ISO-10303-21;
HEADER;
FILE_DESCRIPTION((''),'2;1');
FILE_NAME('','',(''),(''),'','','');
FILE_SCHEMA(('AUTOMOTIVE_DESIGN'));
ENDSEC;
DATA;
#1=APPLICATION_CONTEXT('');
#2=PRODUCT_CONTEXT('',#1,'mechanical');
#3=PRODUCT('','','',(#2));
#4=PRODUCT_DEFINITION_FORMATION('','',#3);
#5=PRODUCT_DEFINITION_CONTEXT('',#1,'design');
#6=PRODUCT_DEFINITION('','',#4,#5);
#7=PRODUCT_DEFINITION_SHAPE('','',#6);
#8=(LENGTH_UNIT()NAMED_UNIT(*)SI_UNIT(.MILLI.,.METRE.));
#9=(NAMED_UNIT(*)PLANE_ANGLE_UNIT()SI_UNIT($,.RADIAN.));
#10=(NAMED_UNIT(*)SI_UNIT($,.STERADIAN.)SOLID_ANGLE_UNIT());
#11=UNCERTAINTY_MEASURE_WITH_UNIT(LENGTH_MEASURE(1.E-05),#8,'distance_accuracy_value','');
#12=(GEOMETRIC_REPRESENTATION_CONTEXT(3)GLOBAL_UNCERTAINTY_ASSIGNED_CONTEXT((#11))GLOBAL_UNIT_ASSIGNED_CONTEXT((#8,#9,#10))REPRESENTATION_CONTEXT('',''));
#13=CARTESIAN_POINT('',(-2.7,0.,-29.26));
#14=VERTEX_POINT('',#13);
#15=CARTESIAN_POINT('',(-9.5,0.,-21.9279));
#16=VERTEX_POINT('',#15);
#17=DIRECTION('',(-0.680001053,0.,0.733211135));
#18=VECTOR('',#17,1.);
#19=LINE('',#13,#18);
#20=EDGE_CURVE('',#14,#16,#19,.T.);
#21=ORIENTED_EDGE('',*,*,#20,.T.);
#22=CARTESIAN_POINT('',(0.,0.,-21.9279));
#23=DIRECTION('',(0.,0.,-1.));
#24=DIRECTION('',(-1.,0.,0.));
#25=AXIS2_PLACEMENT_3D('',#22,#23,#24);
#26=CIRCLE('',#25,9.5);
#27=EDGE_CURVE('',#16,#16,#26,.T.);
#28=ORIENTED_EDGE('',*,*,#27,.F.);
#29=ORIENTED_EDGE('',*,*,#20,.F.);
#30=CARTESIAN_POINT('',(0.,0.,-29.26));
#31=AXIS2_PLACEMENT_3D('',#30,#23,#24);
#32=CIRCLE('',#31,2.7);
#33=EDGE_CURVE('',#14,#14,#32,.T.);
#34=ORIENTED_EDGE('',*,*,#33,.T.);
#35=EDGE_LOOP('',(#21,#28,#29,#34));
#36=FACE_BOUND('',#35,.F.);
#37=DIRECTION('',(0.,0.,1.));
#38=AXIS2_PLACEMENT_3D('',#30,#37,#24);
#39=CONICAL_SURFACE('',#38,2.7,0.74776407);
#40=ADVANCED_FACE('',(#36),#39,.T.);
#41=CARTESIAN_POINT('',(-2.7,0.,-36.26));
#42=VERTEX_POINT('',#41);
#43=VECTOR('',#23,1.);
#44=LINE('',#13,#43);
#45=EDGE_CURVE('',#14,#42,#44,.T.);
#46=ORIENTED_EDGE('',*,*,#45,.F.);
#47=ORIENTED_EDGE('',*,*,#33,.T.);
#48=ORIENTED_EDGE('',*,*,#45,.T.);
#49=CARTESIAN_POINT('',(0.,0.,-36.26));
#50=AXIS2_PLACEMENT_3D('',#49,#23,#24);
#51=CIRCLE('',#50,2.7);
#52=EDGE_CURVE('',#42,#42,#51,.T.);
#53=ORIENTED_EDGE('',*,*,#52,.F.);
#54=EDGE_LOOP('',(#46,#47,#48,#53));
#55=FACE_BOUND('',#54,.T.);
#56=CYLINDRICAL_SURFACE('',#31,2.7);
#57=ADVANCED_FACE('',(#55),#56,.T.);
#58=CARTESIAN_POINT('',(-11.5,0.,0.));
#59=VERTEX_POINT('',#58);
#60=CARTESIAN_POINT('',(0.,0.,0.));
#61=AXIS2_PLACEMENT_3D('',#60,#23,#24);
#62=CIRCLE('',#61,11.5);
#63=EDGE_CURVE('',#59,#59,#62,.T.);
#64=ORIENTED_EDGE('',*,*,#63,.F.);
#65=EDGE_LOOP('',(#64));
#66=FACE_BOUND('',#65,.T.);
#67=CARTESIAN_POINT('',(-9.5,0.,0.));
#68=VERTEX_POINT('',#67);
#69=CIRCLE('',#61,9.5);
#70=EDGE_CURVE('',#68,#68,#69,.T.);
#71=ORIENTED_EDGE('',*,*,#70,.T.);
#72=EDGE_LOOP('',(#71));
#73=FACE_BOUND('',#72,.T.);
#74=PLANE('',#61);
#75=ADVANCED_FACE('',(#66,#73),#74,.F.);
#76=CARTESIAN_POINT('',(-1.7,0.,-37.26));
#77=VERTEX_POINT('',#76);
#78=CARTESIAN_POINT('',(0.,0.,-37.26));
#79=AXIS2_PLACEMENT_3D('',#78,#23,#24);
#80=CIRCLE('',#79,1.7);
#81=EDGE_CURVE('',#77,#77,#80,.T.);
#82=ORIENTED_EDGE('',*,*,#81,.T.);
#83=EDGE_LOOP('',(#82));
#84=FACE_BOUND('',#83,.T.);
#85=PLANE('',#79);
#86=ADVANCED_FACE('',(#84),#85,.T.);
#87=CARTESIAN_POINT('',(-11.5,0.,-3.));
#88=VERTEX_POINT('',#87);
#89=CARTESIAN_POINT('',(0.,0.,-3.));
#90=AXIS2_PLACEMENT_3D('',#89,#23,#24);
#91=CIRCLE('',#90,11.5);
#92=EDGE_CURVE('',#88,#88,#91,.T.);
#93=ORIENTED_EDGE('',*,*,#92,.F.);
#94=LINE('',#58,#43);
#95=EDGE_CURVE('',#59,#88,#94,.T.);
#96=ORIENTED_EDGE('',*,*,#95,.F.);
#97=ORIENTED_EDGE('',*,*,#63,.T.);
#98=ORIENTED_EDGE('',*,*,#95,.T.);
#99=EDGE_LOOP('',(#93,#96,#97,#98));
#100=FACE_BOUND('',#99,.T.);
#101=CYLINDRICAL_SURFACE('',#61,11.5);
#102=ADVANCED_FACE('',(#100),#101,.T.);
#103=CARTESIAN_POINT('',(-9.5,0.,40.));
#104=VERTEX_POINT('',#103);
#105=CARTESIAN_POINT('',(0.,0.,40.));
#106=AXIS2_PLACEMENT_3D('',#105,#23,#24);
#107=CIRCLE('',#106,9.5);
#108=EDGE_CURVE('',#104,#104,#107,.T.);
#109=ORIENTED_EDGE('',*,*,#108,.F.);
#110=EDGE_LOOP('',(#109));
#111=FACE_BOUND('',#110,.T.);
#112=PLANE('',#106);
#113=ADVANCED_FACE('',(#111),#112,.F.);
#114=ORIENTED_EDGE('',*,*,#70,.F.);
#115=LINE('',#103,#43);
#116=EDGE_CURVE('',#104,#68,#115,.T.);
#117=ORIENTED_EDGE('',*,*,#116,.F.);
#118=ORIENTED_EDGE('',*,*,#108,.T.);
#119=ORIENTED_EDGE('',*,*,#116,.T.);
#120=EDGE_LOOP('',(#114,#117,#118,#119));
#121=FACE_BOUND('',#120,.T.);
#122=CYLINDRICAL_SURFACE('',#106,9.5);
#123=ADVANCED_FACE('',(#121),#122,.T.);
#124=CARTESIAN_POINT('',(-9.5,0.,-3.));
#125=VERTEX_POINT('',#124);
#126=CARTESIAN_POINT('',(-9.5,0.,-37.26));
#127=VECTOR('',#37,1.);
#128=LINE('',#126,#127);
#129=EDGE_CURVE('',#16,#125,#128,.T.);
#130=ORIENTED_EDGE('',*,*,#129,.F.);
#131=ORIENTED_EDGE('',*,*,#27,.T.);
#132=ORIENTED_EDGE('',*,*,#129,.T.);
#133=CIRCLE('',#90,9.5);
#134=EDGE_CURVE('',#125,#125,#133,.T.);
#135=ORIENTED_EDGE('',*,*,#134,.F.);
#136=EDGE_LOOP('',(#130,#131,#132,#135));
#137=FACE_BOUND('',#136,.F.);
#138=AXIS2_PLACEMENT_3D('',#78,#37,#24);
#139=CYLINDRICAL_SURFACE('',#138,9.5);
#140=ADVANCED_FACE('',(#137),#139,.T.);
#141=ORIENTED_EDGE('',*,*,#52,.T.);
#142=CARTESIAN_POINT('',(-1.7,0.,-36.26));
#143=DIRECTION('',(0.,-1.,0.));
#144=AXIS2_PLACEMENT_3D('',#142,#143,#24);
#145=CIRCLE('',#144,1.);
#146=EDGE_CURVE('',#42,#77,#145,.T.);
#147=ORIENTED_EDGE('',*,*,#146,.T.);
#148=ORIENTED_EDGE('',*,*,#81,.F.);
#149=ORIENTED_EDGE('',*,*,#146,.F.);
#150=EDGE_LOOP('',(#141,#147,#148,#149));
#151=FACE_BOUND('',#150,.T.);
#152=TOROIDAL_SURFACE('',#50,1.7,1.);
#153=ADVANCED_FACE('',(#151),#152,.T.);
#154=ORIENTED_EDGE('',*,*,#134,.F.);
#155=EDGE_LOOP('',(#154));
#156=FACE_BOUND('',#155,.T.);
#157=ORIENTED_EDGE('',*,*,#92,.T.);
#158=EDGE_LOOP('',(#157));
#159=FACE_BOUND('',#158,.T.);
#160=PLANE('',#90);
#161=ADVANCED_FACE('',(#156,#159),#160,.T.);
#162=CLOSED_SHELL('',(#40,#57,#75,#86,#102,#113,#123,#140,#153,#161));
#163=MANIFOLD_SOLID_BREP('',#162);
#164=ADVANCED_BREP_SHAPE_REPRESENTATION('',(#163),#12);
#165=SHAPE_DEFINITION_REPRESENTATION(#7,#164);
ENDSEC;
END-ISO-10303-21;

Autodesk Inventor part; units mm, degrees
ref_plane "YZ Plane" through (0, 0, 0) normal (1, 0, 0) x (0, 1, 0)
ref_plane "XZ Plane" through (0, 0, 0) normal (0, 1, 0) x (-1, 0, 0)
ref_plane "XY Plane" through (0, 0, 0) normal (0, 0, 1) x (1, 0, 0)
sketch "Boceto1" plane through (0, 0, 0) normal (0, 1, 0) x (-1, 0, 0)
  line L0 (9.5, -37.26) -> (9.5, 0)
  line L1 (0, 20.9781) -> (0, -29.6058) construction
  line L2 (0, -29.26) -> (2.7, -29.26)
  line L3 (2.7, -29.26) -> (2.7, -37.26)
  line L4 (2.7, -37.26) -> (0, -37.26)
  line L5 (0, -37.26) -> (0, -29.26)
  line L6 (2.7, -29.26) -> (9.5, -21.9279)
  line L7 (9.5, 0) -> (11.5, 0)
  line L8 (11.5, 0) -> (11.5, -3)
  line L9 (11.5, -3) -> (9.5, -3)
  line L10 (9.5, -3) -> (9.5, 0)
  line L11 (9.5, 0) -> (0, 0)
  line L12 (0, 0) -> (0, 40)
  line L13 (0, 40) -> (9.5, 40)
  line L14 (9.5, 40) -> (9.5, 0)
  line L15 (0, 40) -> (0, -37.26)
  dimension "d0" = 9.5
  dimension "d1" = 37.26
  dimension "d2" = 2.7
  dimension "d3" = 8
  dimension "d4" = 10
  dimension "d5" = 2
  dimension "d6" = 3
  dimension "d7" = 40
revolve "Revolución1" add sketch "Boceto1" angle 360 about axis through (0, 0, 40) along (0, 0, -1)
fillet "Empalme1" radius 1 1 edges at (2.7, 0, -37.26)
properties part number "Marcador_V2"
